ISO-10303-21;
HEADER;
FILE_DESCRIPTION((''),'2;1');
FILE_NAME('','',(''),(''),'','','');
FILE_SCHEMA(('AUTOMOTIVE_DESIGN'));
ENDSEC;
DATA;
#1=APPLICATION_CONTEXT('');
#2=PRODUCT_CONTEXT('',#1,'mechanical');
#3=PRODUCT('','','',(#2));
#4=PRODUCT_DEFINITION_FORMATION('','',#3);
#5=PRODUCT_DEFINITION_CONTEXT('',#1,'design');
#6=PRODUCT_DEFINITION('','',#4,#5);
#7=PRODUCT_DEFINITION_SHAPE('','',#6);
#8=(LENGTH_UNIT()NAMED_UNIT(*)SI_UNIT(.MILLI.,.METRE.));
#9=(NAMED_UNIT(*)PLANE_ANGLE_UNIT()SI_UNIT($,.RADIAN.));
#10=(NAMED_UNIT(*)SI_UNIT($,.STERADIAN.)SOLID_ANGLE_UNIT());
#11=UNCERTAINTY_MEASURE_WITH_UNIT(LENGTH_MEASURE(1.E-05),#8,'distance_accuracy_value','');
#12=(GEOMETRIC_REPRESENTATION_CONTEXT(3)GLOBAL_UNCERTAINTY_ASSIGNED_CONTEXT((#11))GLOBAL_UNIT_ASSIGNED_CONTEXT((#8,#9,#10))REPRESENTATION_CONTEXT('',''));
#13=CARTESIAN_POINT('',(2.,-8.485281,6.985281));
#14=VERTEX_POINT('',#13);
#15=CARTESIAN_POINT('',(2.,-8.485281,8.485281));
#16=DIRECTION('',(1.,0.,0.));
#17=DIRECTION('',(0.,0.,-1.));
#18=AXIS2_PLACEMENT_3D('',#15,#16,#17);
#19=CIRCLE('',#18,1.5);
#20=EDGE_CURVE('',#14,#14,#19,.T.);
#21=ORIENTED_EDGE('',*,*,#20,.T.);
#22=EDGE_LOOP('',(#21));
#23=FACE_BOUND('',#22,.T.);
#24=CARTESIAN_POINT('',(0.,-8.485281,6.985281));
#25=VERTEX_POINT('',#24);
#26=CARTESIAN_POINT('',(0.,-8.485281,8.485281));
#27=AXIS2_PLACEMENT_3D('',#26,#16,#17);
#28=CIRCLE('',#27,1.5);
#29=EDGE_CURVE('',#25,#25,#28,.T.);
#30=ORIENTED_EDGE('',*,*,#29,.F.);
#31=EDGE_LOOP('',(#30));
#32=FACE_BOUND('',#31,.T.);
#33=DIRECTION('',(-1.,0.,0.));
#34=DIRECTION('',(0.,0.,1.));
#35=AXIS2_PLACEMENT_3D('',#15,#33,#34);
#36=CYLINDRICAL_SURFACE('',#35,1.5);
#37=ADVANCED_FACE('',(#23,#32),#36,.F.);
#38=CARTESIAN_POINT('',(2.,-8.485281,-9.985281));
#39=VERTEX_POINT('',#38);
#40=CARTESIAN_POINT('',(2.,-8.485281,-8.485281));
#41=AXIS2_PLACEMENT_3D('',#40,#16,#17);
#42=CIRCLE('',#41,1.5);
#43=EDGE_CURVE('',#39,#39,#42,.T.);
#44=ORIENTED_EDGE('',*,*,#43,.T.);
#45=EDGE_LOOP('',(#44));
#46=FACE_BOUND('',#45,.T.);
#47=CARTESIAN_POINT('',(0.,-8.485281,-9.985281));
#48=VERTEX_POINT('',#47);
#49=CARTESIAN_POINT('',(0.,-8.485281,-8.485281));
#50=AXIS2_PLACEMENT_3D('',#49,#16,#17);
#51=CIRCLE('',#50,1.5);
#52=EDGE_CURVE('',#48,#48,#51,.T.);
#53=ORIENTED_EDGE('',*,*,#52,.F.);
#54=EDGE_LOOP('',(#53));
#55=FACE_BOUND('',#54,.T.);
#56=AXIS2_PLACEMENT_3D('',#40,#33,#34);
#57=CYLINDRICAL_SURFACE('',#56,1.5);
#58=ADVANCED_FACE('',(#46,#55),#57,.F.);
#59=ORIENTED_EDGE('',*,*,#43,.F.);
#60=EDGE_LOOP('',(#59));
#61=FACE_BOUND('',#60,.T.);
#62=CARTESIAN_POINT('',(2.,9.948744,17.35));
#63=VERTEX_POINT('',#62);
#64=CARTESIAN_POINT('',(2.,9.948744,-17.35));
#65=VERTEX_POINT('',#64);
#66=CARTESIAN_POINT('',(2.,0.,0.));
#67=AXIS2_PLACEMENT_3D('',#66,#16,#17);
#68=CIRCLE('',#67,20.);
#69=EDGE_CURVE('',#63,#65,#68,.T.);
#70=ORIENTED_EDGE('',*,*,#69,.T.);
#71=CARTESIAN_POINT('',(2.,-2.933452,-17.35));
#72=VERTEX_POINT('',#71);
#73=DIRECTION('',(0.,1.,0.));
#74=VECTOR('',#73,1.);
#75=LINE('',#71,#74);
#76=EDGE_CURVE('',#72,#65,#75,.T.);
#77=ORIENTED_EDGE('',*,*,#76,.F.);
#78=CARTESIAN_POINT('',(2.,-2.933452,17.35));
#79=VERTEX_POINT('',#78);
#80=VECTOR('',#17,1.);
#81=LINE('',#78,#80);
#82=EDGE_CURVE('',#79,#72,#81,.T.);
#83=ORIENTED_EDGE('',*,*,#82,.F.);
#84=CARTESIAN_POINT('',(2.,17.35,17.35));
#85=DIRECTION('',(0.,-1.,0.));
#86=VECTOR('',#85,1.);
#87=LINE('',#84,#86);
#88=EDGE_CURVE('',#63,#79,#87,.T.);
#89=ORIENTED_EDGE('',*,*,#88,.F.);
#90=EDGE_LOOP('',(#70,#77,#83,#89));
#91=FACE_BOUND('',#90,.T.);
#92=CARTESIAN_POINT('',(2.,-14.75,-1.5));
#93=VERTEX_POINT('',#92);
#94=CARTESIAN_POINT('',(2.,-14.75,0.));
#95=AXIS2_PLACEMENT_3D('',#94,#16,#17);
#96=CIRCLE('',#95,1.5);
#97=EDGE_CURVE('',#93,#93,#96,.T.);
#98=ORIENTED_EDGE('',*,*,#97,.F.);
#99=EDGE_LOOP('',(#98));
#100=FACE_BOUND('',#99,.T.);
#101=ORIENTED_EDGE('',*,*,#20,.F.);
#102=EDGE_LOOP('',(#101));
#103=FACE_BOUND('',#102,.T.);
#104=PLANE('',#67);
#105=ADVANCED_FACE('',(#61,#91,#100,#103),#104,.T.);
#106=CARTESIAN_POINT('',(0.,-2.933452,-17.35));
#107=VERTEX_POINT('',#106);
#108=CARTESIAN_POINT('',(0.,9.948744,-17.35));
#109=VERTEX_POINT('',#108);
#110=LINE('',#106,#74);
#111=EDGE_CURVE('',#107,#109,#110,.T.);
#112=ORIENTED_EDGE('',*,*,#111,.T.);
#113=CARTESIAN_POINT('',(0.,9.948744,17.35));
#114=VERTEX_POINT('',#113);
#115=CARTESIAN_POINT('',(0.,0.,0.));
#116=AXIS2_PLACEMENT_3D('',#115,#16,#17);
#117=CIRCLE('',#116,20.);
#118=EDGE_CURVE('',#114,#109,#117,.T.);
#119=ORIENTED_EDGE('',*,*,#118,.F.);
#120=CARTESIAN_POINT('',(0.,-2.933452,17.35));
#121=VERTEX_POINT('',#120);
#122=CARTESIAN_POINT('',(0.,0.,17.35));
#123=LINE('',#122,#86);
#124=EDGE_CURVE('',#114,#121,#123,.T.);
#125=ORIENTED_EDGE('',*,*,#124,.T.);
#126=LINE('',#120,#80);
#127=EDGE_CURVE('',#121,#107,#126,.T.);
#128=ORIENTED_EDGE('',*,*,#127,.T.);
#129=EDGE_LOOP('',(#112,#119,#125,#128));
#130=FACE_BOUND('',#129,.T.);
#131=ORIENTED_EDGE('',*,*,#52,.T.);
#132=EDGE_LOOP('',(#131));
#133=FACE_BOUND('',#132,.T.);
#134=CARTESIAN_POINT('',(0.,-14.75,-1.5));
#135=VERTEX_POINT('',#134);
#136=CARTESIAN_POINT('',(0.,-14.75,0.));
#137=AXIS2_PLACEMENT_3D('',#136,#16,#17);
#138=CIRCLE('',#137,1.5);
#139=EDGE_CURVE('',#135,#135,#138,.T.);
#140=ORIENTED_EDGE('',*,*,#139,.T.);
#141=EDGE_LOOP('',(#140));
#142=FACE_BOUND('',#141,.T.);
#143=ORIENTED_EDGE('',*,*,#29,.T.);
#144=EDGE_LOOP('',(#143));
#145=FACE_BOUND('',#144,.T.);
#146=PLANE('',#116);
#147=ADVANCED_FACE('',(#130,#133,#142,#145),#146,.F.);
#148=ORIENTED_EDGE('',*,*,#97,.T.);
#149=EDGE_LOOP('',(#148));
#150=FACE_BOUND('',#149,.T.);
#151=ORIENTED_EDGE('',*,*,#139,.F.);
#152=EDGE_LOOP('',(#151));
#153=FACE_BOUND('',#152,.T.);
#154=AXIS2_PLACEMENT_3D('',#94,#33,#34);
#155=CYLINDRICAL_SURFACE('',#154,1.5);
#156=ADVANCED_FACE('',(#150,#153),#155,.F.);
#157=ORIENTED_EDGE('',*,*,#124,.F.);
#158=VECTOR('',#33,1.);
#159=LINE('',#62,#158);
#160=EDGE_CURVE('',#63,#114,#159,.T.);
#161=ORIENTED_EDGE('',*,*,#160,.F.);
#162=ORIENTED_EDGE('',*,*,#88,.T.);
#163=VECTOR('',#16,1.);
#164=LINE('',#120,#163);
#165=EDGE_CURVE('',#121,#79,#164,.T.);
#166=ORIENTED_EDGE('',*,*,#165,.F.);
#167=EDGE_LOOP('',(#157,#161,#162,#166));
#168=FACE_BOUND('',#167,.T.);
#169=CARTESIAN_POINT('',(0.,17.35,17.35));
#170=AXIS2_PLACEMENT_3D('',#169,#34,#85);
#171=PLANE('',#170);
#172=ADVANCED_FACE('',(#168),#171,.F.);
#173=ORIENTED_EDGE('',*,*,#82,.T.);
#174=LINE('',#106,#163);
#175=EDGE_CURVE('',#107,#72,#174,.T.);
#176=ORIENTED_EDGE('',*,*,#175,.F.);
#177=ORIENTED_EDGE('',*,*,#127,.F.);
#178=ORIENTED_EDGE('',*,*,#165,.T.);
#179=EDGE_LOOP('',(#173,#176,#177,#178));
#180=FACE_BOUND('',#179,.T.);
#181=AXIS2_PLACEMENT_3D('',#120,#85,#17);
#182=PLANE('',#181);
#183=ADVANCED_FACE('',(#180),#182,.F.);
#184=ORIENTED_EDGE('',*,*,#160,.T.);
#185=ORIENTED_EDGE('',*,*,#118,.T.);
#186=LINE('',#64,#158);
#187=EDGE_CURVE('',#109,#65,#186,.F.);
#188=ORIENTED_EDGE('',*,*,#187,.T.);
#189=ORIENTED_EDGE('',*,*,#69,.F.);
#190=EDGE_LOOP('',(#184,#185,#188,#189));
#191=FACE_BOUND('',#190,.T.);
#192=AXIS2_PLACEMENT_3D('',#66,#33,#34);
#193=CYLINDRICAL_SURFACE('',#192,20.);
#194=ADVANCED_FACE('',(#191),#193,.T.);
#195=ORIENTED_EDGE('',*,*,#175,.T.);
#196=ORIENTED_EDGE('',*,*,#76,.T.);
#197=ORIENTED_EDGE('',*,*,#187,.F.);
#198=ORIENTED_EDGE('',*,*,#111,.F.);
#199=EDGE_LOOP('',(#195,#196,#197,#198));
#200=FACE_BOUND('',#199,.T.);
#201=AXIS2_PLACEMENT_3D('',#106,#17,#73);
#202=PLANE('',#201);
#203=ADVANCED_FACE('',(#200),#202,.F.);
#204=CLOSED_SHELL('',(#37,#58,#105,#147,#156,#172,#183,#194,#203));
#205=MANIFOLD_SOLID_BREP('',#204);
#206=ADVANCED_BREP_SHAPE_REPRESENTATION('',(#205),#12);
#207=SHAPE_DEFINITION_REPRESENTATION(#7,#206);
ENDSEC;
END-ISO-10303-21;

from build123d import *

# Parameters (mm, degrees)
SKETCH1_R           = 20
SKETCH1_R_2         = 1.5
BOSS_EXTRUDE1_DEPTH = 2
SKETCH3_W           = 34.7
SKETCH3_H           = 20.283452378
CUT_EXTRUDE1_DEPTH  = 29.354893758


with BuildPart() as part:
    # Sketch1 → Boss-Extrude1 (new body)
    with BuildSketch(Plane(origin=(0, 0, 0), x_dir=(0, 0, -1), z_dir=(1, 0, 0))):
        Circle(SKETCH1_R)
        with Locations((0, 14.75)):
            Circle(SKETCH1_R_2, mode=Mode.SUBTRACT)
        with Locations((14.75, 0)):
            Circle(SKETCH1_R_2, mode=Mode.SUBTRACT)
        with Locations((0, -14.75)):
            Circle(SKETCH1_R_2, mode=Mode.SUBTRACT)
        with Locations((-14.75, 0)):
            Circle(SKETCH1_R_2, mode=Mode.SUBTRACT)
        with Locations((-8.485281374, 8.485281374)):
            Circle(SKETCH1_R_2, mode=Mode.SUBTRACT)
        with Locations((8.485281374, 8.485281374)):
            Circle(SKETCH1_R_2, mode=Mode.SUBTRACT)
        with Locations((8.485281374, -8.485281374)):
            Circle(SKETCH1_R_2, mode=Mode.SUBTRACT)
        with Locations((-8.485281374, -8.485281374)):
            Circle(SKETCH1_R_2, mode=Mode.SUBTRACT)
    extrude(amount=BOSS_EXTRUDE1_DEPTH)

    # Sketch3 → Cut-Extrude1 (cut, through all)
    with BuildSketch(Plane(origin=(2, 0, 0), x_dir=(0, 0, -1), z_dir=(1, 0, 0))):
        with Locations((0, 7.208273811)):
            Rectangle(SKETCH3_W, SKETCH3_H)
    extrude(amount=-CUT_EXTRUDE1_DEPTH, mode=Mode.SUBTRACT)


with BuildPart() as cut_extrude1_kept_piece:
    # of the separate pieces the step leaves, the one the design keeps (cut_extrude1_pieces_kept)
    add(part.part.solids().sort_by_distance((0, 9.948743639, 17.35))[0])


solid = cut_extrude1_kept_piece.part
